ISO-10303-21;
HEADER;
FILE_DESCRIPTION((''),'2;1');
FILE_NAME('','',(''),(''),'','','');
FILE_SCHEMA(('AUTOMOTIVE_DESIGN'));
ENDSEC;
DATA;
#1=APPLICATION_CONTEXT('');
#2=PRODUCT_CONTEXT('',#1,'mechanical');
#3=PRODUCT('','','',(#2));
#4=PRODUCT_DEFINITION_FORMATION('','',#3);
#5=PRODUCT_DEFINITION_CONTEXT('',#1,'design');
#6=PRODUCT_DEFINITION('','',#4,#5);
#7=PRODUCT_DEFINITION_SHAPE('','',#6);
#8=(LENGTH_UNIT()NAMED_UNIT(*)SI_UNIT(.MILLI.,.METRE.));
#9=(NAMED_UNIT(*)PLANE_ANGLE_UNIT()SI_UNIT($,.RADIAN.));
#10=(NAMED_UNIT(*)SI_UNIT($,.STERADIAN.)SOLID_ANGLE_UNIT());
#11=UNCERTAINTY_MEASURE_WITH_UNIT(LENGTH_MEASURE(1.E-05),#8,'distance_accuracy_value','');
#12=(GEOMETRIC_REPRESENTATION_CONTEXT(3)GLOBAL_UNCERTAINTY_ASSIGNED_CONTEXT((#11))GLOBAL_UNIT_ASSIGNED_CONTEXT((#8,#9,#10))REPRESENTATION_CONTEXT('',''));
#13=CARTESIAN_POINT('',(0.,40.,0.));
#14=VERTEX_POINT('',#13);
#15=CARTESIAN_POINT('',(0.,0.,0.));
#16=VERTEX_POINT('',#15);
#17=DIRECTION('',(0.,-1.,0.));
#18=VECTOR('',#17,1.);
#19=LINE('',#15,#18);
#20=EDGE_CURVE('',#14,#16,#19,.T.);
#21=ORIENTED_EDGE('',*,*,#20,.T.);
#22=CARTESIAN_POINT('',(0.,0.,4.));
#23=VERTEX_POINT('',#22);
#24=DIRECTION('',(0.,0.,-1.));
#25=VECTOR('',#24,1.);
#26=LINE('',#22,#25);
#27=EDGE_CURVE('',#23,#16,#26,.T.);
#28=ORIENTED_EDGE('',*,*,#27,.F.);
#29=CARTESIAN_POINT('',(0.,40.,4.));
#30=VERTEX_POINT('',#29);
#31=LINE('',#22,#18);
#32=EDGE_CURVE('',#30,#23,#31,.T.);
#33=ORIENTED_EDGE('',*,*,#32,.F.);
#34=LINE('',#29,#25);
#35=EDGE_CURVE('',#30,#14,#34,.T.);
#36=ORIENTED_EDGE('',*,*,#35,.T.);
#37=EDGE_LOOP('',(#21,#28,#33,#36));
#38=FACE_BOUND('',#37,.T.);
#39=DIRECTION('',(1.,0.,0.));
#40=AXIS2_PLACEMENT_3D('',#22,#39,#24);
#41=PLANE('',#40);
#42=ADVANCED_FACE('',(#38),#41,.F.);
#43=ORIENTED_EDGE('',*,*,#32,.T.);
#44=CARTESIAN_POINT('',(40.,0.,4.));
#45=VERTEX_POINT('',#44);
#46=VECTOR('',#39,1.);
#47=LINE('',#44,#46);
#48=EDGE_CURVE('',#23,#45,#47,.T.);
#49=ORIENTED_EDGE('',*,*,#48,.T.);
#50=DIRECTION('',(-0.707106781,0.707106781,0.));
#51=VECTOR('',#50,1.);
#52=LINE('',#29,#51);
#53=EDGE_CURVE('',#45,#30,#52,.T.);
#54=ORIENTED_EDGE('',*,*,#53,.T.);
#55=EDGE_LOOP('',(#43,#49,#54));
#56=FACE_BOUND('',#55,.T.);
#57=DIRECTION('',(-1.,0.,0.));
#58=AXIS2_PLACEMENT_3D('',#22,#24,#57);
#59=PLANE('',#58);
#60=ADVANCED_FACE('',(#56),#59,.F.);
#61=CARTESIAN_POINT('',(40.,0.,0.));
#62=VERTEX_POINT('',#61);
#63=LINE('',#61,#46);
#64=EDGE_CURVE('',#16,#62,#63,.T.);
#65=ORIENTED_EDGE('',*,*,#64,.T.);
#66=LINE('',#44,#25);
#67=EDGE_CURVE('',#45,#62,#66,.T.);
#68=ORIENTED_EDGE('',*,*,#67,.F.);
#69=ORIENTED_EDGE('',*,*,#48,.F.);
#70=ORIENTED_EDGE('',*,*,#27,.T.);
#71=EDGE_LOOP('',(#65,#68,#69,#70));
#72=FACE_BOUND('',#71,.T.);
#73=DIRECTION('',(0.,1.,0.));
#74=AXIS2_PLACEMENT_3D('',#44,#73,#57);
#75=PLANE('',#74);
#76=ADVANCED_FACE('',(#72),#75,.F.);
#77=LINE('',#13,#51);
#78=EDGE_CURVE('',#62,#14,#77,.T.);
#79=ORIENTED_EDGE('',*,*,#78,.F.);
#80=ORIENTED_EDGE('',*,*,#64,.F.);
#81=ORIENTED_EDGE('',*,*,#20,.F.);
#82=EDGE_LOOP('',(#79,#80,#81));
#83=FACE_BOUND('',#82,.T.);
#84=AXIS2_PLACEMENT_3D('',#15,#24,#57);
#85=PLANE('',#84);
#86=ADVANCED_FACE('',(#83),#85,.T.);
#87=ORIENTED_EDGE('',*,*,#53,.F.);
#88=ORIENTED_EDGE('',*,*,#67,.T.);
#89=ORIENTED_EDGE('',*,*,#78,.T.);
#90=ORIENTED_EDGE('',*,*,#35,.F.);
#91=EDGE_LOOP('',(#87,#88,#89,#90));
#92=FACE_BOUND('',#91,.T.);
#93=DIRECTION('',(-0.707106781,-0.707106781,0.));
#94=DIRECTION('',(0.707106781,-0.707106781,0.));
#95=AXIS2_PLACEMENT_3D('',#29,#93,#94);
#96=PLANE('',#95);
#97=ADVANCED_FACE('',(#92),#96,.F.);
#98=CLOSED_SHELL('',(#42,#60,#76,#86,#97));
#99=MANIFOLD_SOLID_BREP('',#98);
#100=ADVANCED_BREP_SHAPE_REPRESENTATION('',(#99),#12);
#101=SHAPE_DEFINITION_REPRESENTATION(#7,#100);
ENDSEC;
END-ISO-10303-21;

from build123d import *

# Parameters (mm, degrees)
AUFSATZ_LINEAR_AUSTRAGEN1_DEPTH = 4


with BuildPart() as part:
    # Skizze1 → Aufsatz-Linear austragen1 (new body)
    with BuildSketch(Plane.XY):
        Polygon((0, 0), (0, 40), (40, 0), align=None)
    extrude(amount=AUFSATZ_LINEAR_AUSTRAGEN1_DEPTH)


solid = part.part
